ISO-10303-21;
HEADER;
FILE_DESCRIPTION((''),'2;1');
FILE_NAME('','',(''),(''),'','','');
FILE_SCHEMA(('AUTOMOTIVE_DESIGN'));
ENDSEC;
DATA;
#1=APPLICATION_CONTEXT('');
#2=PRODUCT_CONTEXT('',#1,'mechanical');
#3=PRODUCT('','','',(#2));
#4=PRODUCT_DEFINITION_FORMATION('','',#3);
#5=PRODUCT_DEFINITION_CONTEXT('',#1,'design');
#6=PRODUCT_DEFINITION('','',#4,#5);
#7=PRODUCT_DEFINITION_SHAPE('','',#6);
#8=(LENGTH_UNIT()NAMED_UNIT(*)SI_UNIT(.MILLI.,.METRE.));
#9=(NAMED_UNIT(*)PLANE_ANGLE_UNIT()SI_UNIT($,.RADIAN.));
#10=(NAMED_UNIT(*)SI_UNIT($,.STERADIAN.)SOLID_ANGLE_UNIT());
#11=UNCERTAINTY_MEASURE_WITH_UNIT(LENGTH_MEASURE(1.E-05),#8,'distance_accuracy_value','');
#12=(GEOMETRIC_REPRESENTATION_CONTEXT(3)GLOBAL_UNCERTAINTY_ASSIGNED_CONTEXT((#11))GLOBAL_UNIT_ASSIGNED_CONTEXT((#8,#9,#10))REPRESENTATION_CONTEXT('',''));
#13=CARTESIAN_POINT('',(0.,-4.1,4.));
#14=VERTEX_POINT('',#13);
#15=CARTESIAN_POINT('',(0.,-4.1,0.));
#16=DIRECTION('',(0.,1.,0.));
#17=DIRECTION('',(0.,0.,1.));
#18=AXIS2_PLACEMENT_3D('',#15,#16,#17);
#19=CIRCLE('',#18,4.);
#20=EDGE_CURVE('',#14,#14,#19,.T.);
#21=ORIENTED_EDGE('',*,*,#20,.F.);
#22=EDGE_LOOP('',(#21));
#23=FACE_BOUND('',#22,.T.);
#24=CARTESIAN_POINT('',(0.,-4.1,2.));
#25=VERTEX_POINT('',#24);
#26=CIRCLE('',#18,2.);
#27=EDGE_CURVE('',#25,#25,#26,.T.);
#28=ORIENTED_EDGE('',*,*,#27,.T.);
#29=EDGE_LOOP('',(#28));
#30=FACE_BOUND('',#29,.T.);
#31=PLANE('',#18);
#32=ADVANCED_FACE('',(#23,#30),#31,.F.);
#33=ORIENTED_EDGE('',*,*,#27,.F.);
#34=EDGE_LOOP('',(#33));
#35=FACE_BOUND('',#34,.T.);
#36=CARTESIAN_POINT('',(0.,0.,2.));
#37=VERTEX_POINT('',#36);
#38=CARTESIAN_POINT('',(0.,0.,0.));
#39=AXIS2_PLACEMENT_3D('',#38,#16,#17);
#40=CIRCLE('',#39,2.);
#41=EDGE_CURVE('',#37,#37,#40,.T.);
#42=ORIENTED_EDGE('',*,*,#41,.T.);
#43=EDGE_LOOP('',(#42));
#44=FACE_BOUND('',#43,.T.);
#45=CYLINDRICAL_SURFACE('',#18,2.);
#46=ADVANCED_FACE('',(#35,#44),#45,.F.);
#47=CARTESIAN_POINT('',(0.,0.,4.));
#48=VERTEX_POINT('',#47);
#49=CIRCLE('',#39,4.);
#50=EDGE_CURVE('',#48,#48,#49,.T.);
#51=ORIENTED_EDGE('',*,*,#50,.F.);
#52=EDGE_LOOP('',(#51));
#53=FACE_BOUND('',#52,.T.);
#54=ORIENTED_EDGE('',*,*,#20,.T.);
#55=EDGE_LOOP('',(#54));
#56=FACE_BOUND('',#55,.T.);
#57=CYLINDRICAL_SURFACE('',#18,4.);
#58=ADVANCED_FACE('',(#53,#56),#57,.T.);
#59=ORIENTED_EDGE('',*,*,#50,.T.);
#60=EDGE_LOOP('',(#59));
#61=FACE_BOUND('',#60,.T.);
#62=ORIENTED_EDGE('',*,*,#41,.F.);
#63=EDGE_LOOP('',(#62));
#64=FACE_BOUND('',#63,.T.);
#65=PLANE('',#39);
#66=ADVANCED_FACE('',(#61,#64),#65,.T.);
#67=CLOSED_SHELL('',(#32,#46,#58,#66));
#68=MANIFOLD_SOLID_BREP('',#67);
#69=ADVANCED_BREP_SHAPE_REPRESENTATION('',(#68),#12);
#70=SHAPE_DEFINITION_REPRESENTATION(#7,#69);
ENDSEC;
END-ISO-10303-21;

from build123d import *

# Parameters (mm, degrees)
SKIZZE1_R                       = 4
AUFSATZ_LINEAR_AUSTRAGEN1_DEPTH = 4.1
SKIZZE2_R                       = 2
SCHNITT_LINEAR_AUSTRAGEN1_DEPTH = 4.1


with BuildPart() as part:
    # Skizze1 → Aufsatz-Linear austragen1 (new body)
    with BuildSketch(Plane(origin=(0, 0, 0), x_dir=(1, 0, 0), z_dir=(0, 1, 0))):
        with Locations(Location((0, 0, 0), (0, 0, 270))):
            Circle(SKIZZE1_R)
    extrude(amount=-AUFSATZ_LINEAR_AUSTRAGEN1_DEPTH)

    # Skizze2 → Schnitt-Linear austragen1 (cut)
    with BuildSketch(Plane(origin=(0, 0, 0), x_dir=(1, 0, 0), z_dir=(0, 1, 0))):
        with Locations(Location((0, 0, 0), (0, 0, 270))):
            Circle(SKIZZE2_R)
    extrude(amount=-SCHNITT_LINEAR_AUSTRAGEN1_DEPTH, mode=Mode.SUBTRACT)


solid = part.part
